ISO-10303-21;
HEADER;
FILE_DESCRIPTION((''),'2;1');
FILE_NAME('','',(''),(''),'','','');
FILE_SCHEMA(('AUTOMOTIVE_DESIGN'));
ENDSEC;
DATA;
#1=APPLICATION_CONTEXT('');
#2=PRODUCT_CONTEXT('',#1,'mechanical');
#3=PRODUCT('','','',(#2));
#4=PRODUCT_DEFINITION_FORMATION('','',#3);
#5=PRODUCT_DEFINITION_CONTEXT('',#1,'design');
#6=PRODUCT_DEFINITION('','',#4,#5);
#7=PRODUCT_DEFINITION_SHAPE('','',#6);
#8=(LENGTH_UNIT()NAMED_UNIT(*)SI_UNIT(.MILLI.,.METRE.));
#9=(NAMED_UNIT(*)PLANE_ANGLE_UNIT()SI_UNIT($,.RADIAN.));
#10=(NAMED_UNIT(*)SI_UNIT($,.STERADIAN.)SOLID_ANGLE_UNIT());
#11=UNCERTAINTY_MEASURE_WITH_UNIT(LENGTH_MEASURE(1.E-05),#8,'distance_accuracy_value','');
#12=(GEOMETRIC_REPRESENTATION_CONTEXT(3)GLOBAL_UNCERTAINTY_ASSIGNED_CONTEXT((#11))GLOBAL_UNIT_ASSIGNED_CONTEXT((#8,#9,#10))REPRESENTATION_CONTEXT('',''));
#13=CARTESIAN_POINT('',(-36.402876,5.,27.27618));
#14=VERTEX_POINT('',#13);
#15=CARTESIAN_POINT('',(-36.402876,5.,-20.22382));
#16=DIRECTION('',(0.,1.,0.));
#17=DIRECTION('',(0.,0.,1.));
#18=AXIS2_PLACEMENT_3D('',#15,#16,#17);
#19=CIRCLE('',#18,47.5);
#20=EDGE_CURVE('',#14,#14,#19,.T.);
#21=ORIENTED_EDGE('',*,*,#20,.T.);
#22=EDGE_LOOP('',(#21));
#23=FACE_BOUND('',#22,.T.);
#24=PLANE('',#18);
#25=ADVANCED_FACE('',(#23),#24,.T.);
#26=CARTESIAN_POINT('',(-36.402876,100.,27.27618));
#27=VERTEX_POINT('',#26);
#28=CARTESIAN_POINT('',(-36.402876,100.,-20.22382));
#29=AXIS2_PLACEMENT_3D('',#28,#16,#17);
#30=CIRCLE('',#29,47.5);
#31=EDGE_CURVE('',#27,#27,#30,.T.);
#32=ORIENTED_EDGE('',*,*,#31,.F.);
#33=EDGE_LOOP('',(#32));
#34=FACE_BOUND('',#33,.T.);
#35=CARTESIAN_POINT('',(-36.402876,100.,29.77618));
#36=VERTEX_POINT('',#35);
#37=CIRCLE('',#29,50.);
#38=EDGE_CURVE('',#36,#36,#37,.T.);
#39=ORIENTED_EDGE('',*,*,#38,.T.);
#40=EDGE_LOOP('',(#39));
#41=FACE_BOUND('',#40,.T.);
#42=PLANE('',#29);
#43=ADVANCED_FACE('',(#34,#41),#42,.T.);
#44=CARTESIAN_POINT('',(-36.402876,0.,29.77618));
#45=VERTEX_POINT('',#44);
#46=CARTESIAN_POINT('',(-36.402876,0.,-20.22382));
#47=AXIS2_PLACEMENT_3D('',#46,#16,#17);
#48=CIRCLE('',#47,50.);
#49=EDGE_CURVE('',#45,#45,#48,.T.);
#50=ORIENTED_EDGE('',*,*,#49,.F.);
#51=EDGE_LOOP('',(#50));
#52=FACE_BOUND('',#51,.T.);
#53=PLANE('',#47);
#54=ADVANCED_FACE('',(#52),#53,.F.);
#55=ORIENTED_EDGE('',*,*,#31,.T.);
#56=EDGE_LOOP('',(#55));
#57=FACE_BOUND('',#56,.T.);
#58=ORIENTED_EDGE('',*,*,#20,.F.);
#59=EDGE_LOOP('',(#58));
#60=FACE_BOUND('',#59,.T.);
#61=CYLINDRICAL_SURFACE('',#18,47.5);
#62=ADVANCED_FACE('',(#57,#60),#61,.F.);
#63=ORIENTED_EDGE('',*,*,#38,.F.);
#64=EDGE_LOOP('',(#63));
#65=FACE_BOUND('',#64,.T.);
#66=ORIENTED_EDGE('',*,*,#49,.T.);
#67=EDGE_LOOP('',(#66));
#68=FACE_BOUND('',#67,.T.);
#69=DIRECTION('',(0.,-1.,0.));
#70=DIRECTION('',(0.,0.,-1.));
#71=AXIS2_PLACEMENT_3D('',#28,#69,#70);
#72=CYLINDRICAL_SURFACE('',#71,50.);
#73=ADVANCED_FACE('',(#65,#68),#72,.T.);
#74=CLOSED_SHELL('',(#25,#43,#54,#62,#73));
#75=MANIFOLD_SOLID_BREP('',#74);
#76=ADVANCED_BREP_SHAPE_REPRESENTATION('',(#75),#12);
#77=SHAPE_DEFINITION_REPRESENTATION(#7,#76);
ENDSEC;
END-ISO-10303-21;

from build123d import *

# Parameters (mm, degrees)
SKETCH1_R           = 50
BOSS_EXTRUDE1_DEPTH = 100
SKETCH2_R           = 47.5
CUT_EXTRUDE1_DEPTH  = 95


with BuildPart() as part:
    # Sketch1 → Boss-Extrude1 (new body)
    with BuildSketch(Plane(origin=(0, 0, 0), x_dir=(1, 0, 0), z_dir=(0, 1, 0))):
        with Locations(Location((-36.40287639, 20.223820217, 0), (0, 0, 270))):
            Circle(SKETCH1_R)
    extrude(amount=BOSS_EXTRUDE1_DEPTH)

    # Sketch2 → Cut-Extrude1 (cut)
    with BuildSketch(Plane(origin=(0, 100, 0), x_dir=(1, 0, 0), z_dir=(0, 1, 0))):
        with Locations(Location((-36.40287639, 20.223820217, 0), (0, 0, 270))):
            Circle(SKETCH2_R)
    extrude(amount=-CUT_EXTRUDE1_DEPTH, mode=Mode.SUBTRACT)


solid = part.part
